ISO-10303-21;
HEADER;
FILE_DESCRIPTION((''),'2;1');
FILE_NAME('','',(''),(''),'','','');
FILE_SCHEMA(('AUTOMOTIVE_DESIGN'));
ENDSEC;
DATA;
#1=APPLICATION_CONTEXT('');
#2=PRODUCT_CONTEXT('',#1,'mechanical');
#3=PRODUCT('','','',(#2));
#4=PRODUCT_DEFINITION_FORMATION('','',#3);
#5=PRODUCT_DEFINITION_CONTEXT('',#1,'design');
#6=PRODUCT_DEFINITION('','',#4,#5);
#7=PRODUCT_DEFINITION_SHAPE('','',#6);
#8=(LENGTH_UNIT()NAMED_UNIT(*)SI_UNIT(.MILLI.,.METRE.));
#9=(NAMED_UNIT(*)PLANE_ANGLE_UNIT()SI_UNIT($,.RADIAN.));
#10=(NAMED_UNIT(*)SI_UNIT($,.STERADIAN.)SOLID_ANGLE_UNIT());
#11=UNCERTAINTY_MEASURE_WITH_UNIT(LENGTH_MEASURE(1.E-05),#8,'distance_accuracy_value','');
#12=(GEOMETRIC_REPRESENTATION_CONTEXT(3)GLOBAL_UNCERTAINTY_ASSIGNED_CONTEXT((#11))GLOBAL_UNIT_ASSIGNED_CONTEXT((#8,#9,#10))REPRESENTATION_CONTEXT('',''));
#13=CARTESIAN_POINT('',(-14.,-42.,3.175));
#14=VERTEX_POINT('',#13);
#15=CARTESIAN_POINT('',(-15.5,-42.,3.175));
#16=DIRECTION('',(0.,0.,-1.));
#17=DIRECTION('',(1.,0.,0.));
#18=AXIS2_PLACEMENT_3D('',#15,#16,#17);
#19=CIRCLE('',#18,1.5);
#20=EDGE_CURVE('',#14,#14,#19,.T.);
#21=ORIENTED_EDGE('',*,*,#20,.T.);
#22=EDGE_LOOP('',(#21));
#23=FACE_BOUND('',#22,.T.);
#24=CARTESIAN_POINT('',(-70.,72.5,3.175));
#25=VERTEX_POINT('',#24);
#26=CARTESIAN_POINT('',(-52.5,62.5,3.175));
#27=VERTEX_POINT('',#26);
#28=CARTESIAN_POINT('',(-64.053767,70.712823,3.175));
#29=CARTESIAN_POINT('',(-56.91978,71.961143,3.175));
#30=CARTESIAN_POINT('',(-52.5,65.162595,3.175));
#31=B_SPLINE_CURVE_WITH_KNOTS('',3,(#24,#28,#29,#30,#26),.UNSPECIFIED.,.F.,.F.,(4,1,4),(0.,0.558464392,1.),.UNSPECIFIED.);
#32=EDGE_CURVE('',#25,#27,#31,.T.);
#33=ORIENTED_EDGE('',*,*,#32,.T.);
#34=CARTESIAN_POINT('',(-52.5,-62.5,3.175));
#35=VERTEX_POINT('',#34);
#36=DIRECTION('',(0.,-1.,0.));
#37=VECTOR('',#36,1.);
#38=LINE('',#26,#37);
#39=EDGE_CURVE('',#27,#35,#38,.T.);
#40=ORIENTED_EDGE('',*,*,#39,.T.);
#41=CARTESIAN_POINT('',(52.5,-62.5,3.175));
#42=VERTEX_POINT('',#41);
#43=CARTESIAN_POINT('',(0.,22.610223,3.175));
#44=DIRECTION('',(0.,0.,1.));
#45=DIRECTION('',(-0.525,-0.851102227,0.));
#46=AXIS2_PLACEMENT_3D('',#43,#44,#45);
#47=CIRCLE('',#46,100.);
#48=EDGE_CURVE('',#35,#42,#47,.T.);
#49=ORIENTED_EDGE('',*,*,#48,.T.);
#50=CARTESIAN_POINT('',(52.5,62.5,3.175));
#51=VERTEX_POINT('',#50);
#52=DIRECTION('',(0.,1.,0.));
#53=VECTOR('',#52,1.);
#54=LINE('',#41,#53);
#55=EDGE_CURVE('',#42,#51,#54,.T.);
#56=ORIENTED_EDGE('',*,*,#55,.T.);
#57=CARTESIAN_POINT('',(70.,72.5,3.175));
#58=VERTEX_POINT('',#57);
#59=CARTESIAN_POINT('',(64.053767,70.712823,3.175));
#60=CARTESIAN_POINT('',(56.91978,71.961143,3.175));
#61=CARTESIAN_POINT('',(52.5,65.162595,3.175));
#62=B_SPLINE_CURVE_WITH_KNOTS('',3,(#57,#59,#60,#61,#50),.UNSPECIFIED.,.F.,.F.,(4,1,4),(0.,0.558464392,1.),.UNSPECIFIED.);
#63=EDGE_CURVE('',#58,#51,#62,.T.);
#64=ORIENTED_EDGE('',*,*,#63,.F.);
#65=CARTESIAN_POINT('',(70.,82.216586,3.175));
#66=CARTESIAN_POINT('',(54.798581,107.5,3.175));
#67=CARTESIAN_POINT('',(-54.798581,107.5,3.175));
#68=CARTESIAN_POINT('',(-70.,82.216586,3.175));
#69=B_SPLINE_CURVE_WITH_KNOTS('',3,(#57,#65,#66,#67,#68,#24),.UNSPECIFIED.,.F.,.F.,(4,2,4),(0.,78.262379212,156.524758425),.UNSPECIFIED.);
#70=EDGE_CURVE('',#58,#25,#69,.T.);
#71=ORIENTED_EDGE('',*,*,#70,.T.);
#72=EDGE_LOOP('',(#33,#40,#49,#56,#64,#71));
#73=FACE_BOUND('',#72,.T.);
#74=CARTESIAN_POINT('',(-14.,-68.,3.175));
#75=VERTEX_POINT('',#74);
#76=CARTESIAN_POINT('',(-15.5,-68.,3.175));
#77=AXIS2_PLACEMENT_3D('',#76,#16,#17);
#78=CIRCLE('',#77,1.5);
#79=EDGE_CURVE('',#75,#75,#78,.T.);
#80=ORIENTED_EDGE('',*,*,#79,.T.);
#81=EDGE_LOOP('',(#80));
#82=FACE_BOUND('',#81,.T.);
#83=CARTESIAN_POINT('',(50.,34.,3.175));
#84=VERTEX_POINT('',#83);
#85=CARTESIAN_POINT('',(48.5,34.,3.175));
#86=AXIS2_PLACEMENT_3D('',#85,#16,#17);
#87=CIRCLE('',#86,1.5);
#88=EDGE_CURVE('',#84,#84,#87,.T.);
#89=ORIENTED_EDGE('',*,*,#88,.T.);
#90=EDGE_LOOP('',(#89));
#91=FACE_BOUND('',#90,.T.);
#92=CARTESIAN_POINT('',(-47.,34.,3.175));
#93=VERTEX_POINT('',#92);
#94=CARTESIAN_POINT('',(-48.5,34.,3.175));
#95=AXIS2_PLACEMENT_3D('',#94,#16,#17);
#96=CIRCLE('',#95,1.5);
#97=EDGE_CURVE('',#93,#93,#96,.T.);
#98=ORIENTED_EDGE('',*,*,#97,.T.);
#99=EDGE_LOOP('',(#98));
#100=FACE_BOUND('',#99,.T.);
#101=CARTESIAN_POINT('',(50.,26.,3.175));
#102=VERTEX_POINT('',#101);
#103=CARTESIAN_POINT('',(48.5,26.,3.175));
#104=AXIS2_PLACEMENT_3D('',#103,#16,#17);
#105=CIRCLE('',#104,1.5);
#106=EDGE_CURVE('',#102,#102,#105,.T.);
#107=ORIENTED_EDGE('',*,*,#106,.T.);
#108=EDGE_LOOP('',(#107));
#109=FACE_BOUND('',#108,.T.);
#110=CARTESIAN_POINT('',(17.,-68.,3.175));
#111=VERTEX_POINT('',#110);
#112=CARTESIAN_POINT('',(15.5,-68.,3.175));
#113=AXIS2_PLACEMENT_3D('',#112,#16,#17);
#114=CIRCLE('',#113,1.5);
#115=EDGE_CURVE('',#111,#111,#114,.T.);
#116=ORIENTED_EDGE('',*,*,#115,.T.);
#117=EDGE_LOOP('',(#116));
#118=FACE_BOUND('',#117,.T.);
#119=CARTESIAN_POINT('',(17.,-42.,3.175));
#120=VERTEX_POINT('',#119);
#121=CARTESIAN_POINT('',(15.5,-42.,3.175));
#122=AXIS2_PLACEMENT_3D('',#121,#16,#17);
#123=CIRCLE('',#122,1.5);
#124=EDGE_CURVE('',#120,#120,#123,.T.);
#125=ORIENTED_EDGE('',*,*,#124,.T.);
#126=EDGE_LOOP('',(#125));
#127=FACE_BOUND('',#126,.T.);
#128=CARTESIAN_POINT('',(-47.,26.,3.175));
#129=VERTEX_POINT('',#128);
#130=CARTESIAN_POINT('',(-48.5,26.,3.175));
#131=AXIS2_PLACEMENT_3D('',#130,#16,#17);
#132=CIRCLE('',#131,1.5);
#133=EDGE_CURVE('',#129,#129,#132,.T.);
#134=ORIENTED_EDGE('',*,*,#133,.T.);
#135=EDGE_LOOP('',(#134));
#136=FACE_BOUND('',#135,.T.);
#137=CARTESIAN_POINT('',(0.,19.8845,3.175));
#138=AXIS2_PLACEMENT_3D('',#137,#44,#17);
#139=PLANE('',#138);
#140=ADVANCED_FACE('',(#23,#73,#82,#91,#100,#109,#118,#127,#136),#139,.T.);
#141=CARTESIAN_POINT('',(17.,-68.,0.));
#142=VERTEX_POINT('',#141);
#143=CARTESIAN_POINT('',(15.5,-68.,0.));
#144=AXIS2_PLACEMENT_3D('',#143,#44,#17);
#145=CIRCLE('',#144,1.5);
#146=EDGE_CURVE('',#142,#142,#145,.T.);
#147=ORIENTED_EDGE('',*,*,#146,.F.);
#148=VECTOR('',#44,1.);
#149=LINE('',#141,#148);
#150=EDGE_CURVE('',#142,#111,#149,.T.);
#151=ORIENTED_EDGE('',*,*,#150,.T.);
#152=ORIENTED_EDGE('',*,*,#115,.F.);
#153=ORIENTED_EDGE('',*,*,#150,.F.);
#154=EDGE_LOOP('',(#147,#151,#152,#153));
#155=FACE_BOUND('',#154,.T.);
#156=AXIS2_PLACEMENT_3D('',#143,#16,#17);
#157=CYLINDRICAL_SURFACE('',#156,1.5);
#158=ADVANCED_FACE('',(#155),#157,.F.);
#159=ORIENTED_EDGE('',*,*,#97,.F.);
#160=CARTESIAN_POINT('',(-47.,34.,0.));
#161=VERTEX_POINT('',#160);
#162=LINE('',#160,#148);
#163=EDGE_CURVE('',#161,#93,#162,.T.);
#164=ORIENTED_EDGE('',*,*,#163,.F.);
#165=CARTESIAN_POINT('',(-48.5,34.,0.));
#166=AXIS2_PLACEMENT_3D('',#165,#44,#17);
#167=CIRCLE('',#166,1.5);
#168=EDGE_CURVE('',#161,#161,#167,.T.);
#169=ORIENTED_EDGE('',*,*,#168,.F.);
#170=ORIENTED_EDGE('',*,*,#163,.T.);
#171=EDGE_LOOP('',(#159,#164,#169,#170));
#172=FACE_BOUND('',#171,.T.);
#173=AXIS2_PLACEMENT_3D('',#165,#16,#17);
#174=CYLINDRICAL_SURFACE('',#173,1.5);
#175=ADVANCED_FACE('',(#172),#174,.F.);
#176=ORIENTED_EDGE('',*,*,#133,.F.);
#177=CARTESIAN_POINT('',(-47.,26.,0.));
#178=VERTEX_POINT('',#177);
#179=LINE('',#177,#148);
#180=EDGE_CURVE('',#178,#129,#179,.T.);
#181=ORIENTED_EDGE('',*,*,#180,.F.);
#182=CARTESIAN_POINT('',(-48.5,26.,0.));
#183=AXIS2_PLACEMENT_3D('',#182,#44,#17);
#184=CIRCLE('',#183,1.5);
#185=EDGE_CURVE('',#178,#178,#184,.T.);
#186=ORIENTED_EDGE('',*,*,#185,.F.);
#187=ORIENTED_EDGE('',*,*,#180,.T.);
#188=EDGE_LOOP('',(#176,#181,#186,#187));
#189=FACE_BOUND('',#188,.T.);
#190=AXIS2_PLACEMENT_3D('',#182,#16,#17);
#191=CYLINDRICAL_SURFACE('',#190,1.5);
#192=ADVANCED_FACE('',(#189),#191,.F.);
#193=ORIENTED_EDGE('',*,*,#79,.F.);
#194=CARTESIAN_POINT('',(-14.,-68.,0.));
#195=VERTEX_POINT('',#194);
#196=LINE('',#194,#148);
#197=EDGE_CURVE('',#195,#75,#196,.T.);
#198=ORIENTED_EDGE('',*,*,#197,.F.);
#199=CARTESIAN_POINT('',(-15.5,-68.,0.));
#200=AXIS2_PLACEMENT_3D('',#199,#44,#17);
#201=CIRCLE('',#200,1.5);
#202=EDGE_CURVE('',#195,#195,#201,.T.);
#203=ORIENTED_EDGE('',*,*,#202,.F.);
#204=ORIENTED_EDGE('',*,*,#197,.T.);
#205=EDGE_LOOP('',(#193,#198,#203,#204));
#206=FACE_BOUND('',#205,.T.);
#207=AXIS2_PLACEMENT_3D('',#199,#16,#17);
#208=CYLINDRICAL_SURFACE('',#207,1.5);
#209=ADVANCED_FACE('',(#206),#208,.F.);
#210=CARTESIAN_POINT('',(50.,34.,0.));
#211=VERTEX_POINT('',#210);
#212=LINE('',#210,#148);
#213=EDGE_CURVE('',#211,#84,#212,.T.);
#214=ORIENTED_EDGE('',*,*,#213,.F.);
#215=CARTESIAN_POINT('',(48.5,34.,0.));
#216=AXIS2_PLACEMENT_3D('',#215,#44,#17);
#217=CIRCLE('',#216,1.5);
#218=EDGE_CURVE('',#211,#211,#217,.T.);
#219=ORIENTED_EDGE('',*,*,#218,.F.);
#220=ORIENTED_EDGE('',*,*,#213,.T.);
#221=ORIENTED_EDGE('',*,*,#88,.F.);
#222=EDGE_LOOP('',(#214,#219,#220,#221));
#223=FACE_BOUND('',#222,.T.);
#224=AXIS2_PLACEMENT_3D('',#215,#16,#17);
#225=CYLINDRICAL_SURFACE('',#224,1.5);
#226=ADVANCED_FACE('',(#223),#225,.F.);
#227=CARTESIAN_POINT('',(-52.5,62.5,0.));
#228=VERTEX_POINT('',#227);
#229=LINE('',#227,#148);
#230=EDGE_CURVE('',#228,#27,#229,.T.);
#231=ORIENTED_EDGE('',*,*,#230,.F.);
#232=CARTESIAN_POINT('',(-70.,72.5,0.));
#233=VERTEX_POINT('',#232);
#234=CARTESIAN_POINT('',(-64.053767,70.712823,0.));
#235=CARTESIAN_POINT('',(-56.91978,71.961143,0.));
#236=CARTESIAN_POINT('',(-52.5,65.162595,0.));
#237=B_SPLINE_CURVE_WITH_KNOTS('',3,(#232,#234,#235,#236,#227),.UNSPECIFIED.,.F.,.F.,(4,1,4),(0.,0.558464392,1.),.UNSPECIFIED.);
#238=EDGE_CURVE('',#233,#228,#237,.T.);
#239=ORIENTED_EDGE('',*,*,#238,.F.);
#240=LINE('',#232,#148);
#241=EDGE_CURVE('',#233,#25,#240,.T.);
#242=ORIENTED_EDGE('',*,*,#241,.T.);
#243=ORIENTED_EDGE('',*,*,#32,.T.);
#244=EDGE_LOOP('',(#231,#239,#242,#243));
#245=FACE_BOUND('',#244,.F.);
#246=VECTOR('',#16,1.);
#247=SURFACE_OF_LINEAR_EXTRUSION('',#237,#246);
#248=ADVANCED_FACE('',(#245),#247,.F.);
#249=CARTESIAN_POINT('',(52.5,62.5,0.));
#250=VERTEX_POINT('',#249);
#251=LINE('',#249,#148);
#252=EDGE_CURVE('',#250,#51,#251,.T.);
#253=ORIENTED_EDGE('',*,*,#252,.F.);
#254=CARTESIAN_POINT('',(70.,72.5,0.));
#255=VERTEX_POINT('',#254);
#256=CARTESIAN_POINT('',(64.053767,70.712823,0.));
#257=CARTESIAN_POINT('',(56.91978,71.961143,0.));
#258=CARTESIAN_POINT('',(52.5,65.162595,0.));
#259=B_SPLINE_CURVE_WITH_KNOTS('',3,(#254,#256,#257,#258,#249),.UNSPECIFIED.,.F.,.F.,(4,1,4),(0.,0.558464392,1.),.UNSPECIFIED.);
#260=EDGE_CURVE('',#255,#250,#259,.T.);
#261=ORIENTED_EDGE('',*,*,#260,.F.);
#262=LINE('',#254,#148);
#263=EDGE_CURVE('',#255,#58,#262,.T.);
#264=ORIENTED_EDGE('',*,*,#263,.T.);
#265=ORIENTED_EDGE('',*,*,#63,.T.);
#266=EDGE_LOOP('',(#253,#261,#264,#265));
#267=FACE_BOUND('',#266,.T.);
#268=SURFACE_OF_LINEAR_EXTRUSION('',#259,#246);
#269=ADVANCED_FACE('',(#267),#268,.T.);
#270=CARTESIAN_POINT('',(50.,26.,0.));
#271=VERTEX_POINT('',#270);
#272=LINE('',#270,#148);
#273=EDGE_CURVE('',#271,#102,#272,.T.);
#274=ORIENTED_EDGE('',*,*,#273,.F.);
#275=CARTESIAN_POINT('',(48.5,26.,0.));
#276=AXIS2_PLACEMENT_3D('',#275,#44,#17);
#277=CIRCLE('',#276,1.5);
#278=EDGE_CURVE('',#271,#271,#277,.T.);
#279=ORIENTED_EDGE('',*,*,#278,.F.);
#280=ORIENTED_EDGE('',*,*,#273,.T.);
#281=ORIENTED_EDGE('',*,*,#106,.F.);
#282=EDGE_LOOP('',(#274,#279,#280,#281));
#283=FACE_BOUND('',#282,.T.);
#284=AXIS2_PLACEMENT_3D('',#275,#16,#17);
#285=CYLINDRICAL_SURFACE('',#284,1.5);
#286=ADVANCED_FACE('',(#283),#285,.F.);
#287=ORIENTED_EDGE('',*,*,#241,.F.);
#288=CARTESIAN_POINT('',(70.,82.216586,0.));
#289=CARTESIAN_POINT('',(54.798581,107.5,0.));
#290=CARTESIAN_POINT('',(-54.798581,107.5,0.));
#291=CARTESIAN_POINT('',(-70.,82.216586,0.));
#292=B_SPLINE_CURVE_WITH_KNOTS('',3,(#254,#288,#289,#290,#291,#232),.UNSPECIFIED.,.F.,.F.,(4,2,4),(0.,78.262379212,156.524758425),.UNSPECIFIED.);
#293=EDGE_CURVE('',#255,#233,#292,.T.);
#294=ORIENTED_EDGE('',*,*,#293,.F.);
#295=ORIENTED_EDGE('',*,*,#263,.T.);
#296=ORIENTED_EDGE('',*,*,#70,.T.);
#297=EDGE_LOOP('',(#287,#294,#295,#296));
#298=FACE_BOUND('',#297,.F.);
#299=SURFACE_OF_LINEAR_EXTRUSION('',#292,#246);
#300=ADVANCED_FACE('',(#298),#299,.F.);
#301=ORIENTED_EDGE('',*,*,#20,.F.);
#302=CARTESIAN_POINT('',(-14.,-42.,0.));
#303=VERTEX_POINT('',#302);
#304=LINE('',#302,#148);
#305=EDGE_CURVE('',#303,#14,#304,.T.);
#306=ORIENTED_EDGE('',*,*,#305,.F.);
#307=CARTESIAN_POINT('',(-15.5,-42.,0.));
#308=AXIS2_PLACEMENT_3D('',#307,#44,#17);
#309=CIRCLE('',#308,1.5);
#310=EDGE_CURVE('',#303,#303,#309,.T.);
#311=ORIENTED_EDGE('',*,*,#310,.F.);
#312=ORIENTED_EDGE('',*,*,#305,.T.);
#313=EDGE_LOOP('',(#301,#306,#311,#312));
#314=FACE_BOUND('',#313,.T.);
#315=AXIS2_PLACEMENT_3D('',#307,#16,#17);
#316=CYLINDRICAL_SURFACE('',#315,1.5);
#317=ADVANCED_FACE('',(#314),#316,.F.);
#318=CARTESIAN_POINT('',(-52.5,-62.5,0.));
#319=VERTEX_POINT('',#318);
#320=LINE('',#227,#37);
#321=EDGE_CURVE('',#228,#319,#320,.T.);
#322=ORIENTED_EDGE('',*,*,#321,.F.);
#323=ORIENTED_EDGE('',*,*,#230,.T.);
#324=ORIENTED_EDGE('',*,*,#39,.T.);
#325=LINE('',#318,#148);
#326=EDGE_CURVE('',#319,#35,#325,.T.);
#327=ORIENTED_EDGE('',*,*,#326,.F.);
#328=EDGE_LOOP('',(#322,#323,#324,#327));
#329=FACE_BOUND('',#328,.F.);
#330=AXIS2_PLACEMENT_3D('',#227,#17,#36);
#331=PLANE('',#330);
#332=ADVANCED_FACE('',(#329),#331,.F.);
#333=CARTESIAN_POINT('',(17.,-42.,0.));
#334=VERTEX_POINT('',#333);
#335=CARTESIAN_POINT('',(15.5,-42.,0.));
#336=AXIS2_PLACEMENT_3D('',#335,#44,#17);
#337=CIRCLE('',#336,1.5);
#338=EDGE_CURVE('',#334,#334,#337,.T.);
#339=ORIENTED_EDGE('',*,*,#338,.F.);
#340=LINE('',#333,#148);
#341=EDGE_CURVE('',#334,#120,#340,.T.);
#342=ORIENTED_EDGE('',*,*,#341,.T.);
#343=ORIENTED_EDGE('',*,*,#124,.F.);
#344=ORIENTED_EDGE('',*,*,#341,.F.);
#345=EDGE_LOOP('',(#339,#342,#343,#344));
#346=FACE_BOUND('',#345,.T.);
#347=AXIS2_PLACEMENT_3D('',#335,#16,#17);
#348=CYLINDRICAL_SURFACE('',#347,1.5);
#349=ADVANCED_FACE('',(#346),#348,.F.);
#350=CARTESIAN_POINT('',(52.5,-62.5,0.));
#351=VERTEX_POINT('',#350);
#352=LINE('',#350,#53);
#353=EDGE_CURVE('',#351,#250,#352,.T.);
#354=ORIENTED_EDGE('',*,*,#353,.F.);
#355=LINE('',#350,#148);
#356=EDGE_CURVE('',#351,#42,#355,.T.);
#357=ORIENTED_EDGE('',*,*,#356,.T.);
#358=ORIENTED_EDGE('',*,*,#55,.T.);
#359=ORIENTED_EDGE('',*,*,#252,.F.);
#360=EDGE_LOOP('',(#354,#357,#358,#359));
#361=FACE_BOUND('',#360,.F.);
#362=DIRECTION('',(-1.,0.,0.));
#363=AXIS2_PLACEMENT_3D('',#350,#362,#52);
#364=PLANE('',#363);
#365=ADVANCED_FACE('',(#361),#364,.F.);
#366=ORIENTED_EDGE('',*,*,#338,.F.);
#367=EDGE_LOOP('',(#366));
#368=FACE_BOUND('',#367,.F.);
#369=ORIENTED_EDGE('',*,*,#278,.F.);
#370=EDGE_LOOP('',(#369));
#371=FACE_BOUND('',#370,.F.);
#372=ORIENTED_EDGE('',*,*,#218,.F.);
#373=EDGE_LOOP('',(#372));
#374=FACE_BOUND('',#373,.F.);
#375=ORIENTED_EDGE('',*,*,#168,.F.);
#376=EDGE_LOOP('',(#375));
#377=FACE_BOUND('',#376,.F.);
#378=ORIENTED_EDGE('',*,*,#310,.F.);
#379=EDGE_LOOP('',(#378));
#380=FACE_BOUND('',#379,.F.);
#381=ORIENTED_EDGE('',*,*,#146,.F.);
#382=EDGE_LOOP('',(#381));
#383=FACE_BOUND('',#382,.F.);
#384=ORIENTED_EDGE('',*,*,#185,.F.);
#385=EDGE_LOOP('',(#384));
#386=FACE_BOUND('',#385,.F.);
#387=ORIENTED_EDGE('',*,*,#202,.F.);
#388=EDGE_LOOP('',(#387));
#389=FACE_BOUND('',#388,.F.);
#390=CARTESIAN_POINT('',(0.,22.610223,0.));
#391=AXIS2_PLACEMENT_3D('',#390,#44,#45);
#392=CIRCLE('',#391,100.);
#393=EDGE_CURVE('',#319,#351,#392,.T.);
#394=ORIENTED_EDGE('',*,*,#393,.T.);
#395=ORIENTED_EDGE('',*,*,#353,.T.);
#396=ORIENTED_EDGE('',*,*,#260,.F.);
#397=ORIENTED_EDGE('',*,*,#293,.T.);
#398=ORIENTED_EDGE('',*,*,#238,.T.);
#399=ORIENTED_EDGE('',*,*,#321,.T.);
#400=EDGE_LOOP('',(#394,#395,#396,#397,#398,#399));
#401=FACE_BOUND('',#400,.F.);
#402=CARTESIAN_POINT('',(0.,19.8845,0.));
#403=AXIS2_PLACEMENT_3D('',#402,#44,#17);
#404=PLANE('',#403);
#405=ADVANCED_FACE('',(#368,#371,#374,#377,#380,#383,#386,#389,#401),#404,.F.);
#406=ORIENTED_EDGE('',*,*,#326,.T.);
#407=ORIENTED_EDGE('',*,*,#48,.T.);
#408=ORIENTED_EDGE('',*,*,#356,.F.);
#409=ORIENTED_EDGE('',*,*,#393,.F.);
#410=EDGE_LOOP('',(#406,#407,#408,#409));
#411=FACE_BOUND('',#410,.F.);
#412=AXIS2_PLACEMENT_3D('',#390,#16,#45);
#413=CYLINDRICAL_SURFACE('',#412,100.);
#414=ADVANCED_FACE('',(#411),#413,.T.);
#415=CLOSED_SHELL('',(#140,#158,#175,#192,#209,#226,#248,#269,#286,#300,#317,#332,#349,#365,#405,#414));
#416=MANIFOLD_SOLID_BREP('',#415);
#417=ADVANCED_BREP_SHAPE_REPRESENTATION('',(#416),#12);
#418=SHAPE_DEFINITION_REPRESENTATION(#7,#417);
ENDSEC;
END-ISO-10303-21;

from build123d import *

# Parameters (mm, degrees)
F1_DEPTH = 3.175
F2_R     = 1.5
F3_R     = 1.5
F4_DEPTH = 3.1760001


with BuildPart() as f1:
    # F0 (on Top) → F1 (new body)
    with BuildSketch(Plane.XY):
        with BuildLine():
            Line((52.5, -62.5), (52.5, 62.5))
            add(Edge.make_bspline(
                [(70, 72.5), (64.0537668175, 70.7128232339), (56.9197802082, 71.9611433501), (52.5, 65.1625946688), (52.5, 62.5)],
                knots=[0, 0, 0, 0, 0.5584643924, 1, 1, 1, 1], degree=3))
            add(Edge.make_bspline(
                [(70, 72.5), (70, 82.2165856612), (54.7985807061, 107.5), (0, 107.5)],
                knots=[0, 0, 0, 0, 78.2623792125, 78.2623792125, 78.2623792125, 78.2623792125], degree=3))
            add(Edge.make_bspline(
                [(-70, 72.5), (-70, 82.2165856612), (-54.7985807061, 107.5), (0, 107.5)],
                knots=[0, 0, 0, 0, 78.2623792125, 78.2623792125, 78.2623792125, 78.2623792125], degree=3))
            add(Edge.make_bspline(
                [(-70, 72.5), (-64.0537668175, 70.7128232339), (-56.9197802082, 71.9611433501), (-52.5, 65.1625946688), (-52.5, 62.5)],
                knots=[0, 0, 0, 0, 0.5584643924, 1, 1, 1, 1], degree=3))
            Line((-52.5, 62.5), (-52.5, -62.5))
            ThreePointArc((-52.5, -62.5), (0, -77.3897773473), (52.5, -62.5))
        make_face()
    extrude(amount=F1_DEPTH)

    # F2 (on Top) + F3 (on Top) → F4 (cut, through all)
    with BuildSketch(Plane.XY):
        with Locations((-15.5, -42)):
            Circle(F2_R)
        with Locations((15.5, -42)):
            Circle(F2_R)
        with Locations((-15.5, -68)):
            Circle(F2_R)
        with Locations((15.5, -68)):
            Circle(F2_R)
    with BuildSketch(Plane.XY):
        with Locations((-48.5, 34)):
            Circle(F3_R)
        with Locations((-48.5, 26)):
            Circle(F3_R)
        with Locations((48.5, 26)):
            Circle(F3_R)
        with Locations((48.5, 34)):
            Circle(F3_R)
    extrude(amount=F4_DEPTH, mode=Mode.SUBTRACT)


solid = f1.part
